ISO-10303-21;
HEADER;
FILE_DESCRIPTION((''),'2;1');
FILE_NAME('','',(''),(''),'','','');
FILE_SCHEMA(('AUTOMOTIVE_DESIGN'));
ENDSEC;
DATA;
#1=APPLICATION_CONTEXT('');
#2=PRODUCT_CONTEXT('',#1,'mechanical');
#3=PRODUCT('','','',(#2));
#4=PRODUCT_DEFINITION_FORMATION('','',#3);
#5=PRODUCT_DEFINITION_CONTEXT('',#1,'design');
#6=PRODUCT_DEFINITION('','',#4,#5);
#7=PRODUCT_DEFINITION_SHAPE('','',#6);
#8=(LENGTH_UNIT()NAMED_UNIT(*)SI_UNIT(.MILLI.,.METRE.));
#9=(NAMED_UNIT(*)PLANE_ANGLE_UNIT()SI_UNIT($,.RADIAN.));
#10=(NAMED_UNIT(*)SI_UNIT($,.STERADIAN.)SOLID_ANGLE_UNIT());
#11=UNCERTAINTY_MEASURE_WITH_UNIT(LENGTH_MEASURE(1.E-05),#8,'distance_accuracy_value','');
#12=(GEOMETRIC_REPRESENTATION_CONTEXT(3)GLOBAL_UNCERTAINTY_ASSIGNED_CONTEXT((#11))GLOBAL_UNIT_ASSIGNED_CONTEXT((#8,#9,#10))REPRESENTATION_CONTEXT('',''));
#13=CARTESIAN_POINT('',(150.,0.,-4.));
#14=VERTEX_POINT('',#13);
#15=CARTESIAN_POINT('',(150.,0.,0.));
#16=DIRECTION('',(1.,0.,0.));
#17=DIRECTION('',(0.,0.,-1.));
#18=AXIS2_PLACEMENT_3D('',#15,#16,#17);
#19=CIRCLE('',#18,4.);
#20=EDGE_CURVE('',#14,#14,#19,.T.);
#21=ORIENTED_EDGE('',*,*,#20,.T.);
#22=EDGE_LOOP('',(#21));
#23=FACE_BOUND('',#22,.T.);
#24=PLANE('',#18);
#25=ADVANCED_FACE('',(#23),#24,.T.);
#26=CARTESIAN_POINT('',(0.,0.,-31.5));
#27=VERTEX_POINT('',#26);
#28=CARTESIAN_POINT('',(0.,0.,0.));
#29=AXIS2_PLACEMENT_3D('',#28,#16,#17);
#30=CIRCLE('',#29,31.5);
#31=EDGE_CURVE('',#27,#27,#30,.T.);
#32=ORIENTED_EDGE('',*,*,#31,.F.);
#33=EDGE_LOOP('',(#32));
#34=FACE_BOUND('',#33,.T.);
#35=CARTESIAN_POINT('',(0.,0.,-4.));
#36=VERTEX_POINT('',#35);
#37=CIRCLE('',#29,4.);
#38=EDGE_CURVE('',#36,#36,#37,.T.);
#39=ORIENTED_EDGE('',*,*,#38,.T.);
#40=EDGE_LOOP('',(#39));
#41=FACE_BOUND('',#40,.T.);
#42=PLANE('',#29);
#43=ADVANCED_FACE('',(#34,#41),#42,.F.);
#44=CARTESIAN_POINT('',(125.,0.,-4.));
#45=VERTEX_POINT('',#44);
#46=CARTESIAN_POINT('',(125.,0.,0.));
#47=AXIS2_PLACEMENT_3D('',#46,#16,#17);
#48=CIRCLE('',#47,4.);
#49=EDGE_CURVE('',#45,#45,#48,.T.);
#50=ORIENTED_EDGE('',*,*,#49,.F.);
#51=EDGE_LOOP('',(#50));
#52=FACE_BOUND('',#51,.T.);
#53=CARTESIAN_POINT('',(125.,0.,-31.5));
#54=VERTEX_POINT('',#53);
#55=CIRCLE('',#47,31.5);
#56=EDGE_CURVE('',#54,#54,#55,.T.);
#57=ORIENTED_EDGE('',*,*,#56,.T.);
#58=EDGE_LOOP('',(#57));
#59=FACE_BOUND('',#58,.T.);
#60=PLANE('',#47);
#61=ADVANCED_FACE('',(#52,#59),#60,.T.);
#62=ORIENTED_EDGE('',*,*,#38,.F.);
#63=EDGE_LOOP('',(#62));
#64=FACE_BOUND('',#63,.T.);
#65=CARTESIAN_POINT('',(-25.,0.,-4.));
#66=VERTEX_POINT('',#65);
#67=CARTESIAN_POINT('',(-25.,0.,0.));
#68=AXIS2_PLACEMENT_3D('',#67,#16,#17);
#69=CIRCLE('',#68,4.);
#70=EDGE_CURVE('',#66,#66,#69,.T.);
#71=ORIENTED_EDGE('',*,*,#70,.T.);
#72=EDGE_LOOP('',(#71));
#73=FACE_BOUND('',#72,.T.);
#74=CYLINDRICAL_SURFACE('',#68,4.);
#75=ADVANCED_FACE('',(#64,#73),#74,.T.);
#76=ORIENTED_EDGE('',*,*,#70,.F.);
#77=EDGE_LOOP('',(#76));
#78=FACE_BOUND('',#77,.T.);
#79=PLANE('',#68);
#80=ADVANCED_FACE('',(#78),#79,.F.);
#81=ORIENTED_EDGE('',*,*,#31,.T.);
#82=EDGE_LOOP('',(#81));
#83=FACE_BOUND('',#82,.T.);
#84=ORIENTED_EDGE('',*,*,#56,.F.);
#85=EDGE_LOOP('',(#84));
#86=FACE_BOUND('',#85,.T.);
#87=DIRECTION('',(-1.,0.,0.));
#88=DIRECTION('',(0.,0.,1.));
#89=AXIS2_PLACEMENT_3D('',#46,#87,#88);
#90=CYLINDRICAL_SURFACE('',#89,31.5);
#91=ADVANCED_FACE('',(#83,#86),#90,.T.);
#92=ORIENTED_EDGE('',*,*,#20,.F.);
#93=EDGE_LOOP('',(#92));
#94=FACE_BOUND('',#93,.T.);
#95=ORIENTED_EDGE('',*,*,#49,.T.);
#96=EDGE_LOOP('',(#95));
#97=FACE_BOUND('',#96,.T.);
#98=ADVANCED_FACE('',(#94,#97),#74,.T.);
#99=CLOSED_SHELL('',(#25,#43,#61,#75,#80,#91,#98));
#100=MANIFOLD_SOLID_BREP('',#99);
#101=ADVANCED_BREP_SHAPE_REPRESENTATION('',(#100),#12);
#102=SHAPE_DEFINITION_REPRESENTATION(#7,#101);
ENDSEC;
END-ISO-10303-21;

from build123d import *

# Parameters (mm, degrees)
SKETCH1_R                = 31.5
SKETCH1_R_2              = 4
BOSS_EXTRUDE1_DEPTH      = 125
BOSS_EXTRUDE2_DEPTH      = 150
BOSS_EXTRUDE2_DEPTH_BACK = 25
SKETCH1_2_R              = 4


with BuildPart() as part:
    # Sketch1 → Boss-Extrude1 (new body)
    with BuildSketch(Plane(origin=(0, 0, 0), x_dir=(0, 0, -1), z_dir=(1, 0, 0))):
        Circle(SKETCH1_R)
        Circle(SKETCH1_R_2, mode=Mode.SUBTRACT)
    extrude(amount=BOSS_EXTRUDE1_DEPTH)

    # Sketch1<2> → Boss-Extrude2 (add, two sides: drawn at the far end of the back side and taken through both)
    with BuildSketch(Plane(origin=(0, 0, 0), x_dir=(0, 0, -1), z_dir=(1, 0, 0)).offset(-BOSS_EXTRUDE2_DEPTH_BACK)):
        Circle(SKETCH1_2_R)
    extrude(amount=BOSS_EXTRUDE2_DEPTH + BOSS_EXTRUDE2_DEPTH_BACK)


solid = part.part
